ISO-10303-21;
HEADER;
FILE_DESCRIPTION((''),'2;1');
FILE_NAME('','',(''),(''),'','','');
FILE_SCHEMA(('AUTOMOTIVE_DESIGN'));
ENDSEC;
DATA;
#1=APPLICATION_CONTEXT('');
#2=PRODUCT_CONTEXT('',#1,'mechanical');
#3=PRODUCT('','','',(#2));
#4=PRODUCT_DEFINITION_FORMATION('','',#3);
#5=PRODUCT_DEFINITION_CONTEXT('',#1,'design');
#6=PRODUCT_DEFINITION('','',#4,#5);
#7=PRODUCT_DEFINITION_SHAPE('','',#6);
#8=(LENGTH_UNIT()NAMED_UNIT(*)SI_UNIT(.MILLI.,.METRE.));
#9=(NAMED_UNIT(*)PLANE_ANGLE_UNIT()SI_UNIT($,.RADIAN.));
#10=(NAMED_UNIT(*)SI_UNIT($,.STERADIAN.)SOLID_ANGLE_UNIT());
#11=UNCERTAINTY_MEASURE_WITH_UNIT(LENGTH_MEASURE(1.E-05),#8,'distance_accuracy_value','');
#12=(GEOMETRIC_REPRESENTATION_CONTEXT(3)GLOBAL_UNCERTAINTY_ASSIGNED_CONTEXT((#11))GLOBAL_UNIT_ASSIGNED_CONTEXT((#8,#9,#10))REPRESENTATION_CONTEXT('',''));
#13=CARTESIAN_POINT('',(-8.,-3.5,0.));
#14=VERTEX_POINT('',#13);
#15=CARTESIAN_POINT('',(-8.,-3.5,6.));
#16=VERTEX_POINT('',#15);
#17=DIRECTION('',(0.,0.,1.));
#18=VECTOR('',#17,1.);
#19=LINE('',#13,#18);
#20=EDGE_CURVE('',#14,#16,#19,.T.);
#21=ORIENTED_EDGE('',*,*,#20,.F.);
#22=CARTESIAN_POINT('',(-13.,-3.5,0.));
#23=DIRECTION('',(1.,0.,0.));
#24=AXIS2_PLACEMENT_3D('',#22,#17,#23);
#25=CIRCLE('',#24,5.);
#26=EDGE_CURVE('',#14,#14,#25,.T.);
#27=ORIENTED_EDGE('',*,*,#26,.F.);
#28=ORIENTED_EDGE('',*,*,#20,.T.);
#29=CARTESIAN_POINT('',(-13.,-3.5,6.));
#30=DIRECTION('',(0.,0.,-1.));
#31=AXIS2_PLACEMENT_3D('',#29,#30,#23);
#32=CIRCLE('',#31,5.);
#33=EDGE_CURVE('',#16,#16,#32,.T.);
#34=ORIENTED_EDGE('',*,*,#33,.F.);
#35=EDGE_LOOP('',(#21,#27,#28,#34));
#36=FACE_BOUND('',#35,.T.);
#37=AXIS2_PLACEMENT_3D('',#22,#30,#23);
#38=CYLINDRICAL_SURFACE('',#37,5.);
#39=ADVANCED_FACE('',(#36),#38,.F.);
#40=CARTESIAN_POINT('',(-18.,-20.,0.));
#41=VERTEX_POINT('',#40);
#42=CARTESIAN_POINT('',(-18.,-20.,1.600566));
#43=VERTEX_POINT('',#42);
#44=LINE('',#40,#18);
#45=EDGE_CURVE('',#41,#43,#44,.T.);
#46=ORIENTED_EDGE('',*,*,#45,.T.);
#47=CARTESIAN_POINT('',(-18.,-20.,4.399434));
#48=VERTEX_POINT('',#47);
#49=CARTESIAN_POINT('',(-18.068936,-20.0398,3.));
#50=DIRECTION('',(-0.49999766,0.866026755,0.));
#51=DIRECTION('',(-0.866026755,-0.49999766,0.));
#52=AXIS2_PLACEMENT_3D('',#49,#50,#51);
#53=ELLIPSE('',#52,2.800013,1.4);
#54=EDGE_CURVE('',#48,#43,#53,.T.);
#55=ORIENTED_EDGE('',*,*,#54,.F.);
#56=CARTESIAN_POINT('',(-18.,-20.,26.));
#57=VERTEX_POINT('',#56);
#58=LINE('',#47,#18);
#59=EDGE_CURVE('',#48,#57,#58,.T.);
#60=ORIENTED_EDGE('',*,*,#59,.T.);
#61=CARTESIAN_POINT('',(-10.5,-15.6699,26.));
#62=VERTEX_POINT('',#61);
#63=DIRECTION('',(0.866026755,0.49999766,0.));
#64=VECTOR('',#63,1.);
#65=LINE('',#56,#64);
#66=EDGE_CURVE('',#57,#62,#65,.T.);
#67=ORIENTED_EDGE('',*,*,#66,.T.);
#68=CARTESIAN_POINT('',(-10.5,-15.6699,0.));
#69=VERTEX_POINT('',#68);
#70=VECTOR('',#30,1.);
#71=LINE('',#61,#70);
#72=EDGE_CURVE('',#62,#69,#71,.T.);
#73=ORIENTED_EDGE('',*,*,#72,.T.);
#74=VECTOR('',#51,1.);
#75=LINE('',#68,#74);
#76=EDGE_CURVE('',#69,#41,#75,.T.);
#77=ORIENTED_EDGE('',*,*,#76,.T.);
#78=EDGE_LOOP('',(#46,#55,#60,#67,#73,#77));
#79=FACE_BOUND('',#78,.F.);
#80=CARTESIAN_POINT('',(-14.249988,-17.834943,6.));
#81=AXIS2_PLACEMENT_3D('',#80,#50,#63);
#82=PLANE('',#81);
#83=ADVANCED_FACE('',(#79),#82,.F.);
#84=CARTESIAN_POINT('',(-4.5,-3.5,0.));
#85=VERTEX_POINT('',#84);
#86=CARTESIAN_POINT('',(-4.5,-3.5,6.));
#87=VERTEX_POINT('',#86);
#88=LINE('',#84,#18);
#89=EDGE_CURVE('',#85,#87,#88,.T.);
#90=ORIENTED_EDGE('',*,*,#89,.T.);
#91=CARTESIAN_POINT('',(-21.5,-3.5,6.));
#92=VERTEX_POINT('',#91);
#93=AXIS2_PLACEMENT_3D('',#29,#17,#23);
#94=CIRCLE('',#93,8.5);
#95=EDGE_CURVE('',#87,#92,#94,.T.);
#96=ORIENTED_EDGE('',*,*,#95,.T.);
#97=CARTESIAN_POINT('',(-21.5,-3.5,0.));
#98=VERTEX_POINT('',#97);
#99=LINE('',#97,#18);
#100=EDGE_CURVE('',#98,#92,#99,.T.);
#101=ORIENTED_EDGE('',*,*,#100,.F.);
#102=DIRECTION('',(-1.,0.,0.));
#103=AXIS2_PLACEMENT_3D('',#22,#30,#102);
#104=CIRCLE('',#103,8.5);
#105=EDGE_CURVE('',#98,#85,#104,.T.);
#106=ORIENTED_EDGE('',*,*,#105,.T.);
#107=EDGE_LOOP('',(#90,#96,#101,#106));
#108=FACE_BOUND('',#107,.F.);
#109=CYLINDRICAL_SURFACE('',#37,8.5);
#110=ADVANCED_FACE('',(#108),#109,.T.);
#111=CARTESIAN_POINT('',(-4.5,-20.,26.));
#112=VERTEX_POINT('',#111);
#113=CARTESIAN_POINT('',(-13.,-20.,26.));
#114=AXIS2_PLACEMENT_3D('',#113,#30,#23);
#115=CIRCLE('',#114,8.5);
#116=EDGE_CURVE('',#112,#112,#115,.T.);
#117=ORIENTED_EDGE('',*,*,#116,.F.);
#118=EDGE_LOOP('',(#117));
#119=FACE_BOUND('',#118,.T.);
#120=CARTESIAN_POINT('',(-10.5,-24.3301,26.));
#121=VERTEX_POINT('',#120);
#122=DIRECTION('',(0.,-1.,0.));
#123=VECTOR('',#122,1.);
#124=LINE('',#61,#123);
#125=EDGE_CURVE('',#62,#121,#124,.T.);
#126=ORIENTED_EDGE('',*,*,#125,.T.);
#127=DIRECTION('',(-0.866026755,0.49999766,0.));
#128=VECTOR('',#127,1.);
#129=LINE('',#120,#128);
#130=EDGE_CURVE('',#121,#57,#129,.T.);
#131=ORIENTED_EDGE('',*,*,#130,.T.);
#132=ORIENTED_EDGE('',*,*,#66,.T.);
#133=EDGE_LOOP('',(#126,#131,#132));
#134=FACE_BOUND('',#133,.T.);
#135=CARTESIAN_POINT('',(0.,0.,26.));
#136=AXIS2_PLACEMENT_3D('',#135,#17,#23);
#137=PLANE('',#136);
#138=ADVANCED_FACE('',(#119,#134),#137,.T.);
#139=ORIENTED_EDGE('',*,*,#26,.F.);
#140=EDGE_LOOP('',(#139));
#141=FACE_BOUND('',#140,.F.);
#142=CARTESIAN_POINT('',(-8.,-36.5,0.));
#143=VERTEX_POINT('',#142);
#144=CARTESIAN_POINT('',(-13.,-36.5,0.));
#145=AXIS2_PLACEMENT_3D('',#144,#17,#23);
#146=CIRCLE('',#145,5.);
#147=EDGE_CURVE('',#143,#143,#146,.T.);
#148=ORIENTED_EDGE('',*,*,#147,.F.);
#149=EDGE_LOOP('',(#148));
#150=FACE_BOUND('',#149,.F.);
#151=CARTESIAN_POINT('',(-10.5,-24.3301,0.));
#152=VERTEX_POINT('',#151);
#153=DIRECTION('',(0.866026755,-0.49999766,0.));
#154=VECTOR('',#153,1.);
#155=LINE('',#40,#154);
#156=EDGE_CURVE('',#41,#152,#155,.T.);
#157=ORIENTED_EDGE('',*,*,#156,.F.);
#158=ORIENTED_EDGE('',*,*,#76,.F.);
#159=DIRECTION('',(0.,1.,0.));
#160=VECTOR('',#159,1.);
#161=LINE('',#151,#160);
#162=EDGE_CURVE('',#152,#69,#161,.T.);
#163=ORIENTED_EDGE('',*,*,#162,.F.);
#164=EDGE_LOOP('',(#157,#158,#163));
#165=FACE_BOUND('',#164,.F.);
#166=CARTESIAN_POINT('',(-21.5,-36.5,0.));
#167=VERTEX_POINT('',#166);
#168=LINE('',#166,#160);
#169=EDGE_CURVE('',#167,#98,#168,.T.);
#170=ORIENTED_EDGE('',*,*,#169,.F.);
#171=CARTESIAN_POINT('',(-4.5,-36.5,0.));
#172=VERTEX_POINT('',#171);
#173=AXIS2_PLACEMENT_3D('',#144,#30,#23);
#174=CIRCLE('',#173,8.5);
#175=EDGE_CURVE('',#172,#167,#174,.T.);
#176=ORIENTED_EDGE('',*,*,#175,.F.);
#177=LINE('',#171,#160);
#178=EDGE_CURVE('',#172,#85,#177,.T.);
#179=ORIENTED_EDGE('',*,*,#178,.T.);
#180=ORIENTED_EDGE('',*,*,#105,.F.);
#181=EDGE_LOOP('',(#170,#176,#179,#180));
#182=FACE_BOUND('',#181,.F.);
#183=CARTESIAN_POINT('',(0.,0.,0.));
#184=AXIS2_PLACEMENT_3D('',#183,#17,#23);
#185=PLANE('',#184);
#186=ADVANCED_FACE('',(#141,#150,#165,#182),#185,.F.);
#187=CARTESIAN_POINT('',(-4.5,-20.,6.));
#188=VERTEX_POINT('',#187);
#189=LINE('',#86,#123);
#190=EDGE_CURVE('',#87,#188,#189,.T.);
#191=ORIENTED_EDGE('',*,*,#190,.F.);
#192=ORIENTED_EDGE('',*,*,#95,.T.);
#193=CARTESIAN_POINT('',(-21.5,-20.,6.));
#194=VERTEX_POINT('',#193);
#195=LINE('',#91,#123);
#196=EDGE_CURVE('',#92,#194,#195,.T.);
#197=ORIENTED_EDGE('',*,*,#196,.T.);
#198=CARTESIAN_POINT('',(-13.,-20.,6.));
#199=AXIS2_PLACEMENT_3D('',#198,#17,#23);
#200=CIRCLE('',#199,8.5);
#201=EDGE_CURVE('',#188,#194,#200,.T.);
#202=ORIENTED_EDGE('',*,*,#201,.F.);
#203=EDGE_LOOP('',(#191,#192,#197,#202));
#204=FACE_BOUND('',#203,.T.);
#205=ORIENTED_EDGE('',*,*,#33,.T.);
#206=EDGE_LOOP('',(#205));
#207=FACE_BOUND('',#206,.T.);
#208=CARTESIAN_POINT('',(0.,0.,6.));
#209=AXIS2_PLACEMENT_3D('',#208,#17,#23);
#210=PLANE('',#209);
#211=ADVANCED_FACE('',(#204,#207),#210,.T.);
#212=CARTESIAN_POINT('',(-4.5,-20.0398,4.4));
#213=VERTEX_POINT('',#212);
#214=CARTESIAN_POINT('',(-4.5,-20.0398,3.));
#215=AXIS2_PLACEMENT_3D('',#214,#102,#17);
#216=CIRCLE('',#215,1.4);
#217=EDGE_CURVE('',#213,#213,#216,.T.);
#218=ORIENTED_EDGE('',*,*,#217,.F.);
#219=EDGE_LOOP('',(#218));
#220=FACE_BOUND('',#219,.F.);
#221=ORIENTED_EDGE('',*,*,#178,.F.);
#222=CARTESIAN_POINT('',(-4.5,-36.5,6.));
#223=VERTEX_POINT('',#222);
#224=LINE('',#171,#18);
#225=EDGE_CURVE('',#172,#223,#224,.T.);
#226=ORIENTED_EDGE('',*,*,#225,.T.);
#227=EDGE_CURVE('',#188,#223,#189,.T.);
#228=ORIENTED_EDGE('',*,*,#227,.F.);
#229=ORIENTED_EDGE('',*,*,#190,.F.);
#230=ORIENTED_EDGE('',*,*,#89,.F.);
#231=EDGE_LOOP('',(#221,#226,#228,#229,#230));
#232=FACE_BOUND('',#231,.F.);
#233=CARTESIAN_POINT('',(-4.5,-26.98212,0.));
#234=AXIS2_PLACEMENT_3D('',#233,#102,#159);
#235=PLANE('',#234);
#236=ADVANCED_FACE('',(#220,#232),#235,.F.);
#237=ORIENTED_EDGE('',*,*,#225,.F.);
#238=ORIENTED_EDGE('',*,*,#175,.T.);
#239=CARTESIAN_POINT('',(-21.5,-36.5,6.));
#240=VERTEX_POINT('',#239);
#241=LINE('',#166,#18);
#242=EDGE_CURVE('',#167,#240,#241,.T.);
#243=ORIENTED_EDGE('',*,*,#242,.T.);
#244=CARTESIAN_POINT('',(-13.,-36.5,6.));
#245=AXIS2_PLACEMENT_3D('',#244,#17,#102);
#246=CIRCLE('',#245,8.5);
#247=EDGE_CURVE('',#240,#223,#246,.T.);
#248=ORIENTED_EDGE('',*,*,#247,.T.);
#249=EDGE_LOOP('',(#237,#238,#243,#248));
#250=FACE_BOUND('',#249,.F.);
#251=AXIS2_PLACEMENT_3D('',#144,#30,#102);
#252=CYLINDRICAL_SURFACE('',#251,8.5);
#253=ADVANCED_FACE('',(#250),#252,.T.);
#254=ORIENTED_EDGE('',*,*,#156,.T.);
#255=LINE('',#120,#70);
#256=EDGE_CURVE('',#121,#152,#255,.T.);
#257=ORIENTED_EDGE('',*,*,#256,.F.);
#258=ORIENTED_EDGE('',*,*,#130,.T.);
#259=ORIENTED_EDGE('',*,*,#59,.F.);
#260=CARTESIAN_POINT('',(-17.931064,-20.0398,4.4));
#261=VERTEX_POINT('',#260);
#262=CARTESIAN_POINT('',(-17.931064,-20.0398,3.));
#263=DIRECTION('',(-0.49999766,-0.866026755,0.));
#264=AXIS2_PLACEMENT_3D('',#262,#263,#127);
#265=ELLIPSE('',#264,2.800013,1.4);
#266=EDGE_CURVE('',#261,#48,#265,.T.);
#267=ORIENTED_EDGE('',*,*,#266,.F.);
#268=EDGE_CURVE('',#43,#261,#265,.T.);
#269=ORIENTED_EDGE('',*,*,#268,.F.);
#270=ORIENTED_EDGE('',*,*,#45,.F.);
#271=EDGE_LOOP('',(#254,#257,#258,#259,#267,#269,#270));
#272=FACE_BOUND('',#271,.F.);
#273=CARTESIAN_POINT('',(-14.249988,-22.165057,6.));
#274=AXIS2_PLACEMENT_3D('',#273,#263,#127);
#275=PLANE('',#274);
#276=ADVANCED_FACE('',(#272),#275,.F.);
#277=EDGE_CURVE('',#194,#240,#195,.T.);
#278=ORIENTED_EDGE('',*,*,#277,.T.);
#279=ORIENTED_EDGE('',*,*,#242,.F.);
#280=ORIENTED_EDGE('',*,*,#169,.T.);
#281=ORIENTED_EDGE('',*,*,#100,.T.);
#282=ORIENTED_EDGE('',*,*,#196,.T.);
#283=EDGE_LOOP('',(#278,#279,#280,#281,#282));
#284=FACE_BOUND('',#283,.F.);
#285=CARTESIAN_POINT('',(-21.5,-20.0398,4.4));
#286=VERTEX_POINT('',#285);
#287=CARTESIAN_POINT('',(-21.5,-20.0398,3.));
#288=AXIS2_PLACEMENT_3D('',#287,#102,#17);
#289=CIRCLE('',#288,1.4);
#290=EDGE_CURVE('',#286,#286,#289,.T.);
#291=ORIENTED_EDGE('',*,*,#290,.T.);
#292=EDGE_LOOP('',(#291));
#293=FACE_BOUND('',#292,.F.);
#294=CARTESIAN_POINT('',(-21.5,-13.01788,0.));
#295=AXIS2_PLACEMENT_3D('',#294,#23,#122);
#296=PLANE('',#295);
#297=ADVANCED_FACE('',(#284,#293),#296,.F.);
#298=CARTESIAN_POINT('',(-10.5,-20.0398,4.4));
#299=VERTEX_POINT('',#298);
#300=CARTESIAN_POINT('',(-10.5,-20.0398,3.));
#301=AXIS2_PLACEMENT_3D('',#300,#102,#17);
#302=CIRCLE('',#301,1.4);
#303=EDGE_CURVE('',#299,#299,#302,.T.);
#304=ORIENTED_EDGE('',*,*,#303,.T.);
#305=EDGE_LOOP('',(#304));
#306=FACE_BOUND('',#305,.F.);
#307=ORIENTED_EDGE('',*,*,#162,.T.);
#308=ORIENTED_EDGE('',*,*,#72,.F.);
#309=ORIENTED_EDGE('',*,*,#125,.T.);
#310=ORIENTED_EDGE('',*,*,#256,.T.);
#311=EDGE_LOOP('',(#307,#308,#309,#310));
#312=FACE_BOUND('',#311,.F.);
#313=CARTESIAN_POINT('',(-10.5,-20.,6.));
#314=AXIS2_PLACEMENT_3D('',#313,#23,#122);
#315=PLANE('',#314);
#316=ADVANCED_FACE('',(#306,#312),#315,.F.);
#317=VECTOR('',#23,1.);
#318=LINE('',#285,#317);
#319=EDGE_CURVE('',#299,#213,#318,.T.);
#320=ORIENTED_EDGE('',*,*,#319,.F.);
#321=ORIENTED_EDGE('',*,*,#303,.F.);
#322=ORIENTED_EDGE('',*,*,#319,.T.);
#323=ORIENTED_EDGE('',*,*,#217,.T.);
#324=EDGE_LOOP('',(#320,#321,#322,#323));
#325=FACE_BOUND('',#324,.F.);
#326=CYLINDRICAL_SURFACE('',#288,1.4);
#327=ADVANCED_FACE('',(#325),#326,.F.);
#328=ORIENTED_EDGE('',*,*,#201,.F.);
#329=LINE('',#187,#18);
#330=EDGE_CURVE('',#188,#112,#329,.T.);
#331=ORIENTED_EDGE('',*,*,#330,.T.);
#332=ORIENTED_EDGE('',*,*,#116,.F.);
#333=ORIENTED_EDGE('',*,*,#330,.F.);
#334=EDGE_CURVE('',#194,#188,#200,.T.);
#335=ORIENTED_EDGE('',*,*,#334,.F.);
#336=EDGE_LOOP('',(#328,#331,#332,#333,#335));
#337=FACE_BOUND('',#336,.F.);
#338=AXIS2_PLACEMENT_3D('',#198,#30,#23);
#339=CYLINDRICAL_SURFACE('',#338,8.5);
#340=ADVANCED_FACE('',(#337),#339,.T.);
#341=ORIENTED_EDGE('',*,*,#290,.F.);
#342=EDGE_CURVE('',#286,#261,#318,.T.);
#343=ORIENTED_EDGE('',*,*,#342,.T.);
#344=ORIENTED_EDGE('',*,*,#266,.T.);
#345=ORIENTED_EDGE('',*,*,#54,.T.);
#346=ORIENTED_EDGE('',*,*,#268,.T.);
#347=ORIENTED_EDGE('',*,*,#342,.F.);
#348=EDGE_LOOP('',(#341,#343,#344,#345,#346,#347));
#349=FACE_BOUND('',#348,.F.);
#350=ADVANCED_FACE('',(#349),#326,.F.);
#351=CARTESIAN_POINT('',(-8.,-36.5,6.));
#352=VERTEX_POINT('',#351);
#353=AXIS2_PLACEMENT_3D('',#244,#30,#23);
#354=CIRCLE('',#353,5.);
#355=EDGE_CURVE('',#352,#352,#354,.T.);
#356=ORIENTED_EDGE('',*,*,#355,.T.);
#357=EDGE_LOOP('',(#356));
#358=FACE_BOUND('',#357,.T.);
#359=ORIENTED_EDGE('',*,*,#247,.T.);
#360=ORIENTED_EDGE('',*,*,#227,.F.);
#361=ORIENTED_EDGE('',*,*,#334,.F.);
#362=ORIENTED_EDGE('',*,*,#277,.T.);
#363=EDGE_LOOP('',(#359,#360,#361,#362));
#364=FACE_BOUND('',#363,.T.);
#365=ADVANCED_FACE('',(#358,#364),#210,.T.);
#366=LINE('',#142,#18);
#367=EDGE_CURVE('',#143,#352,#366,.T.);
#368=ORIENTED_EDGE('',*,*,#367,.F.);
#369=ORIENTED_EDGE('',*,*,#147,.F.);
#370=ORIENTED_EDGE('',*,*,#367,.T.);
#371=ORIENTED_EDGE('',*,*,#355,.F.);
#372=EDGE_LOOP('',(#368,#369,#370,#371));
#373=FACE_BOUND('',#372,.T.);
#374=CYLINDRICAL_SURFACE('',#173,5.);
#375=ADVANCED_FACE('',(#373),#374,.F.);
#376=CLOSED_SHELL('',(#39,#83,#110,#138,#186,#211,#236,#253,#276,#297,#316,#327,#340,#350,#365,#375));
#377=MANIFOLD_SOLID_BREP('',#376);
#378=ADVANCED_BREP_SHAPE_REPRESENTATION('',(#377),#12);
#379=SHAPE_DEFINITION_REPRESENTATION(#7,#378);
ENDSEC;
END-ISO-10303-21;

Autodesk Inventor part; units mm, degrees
ref_plane "YZ Plane" through (0, 0, 0) normal (1, 0, 0) x (0, 1, 0)
ref_plane "XZ Plane" through (0, 0, 0) normal (0, 1, 0) x (-1, 0, 0)
ref_plane "XY Plane" through (0, 0, 0) normal (0, 0, 1) x (1, 0, 0)
ref_plane "Arbeitsebene1" through (0, 0, 0) normal (0, 0, 1) x (1, 0, 0)
sketch "Skizze1" plane through (0, 0, 0) normal (0, 0, 1) x (1, 0, 0)
  circle A0 centre (-13, -20) radius 11 projected
  circle A1 centre (-13, -36.5) radius 2 projected
  circle A2 centre (-13, -3.5) radius 2 projected
  line L0 (0, 0) -> (0, -9.8388) projected
  line L1 (-29, 0) -> (0, 0) projected
  line L2 (-33, -4) -> (-29, 0) projected
  line L3 (-33, -4) -> (-33, -36) projected
  line L4 (-29, -40) -> (-33, -36) projected
  line L5 (0, -40) -> (-29, -40) projected
  line L6 (0, -30.1612) -> (0, -40) projected
  arc A3 (0, -30.1612) -> (0, -9.8388) centre (-13, -20) ccw projected
  circle A4 centre (-13, -3.5) radius 5
  circle A5 centre (-13, -36.5) radius 5
  circle A6 centre (-13, -20) radius 2.5
  line L7 (-13, -3.5) -> (-13, -36.5) construction
  line L8 (-21.5, -3.5) -> (-21.5, -36.5)
  line L9 (-4.5, -36.5) -> (-4.5, -3.5)
  arc A7 (-4.5, -3.5) -> (-21.5, -3.5) centre (-13, -3.5) ccw
  arc A8 (-21.5, -36.5) -> (-4.5, -36.5) centre (-13, -36.5) ccw
  line L10 (-18, -20) -> (-10.5, -15.6699)
  line L11 (-10.5, -15.6699) -> (-10.5, -24.3301)
  line L12 (-10.5, -24.3301) -> (-18, -20)
  point P0 (-13, -20)
  point P1 (-13, -20)
  dimension "d0" = 10
  dimension "d1" = 10
  dimension "d2" = 5
  dimension "d3" = 17
extrude "Extrusion1" add sketch "Skizze1" along normal blind 6 contours L9 A0 L8 | A0 L8 A7 L1 A4 L9 | L9 A8 L5 A5 L8 A0 | L1 A4 A7 | A8 L5 A5
sketch "Skizze2" plane through (-21.5, -36.5, 0) normal (-1, 0, 0) x (0, 0, 1)
  line L0 (6, 19) -> (0, 19) projected
  line L1 (6, 14) -> (0, 14) projected
  circle A0 centre (3, 16.4602) radius 1.4
  point P0 (0, 36.5)
  dimension "d6" = 2.8
extrude "Extrusion2" cut sketch "Skizze2" against normal through all
sketch "Skizze3" plane through (0, 0, 6) normal (0, 0, 1) x (1, 0, 0)
  point P0 (0, 0)
sketch "Skizze4" plane through (0, 0, 6) normal (0, 0, 1) x (1, 0, 0)
  line L0 (-21.5, -3.5) -> (-21.5, -36.5) projected
  arc A0 (-21.5, -36.5) -> (-4.5, -36.5) centre (-13, -36.5) ccw projected
  line L1 (-4.5, -36.5) -> (-4.5, -3.5) projected
  arc A1 (-4.5, -3.5) -> (-21.5, -3.5) centre (-13, -3.5) ccw projected
  circle A2 centre (-13, -36.5) radius 5 projected
  circle A3 centre (-13, -3.5) radius 5 projected
  line L2 (-18, -20) -> (-10.5, -15.6699)
  line L3 (-10.5, -15.6699) -> (-10.5, -24.3301)
  line L4 (-10.5, -24.3301) -> (-18, -20)
  circle A4 centre (-13, -20) radius 2.5
  circle A5 centre (-13, -20) radius 8.5
  point P0 (0, 0)
  dimension "d9" = 5
extrude "Extrusion3" add sketch "Skizze4" along normal blind 20 contours A5
properties part number "40_XYZstage_micrometer_motorized_nema8_samplemount_lightsheet_feptube50_screwed"
